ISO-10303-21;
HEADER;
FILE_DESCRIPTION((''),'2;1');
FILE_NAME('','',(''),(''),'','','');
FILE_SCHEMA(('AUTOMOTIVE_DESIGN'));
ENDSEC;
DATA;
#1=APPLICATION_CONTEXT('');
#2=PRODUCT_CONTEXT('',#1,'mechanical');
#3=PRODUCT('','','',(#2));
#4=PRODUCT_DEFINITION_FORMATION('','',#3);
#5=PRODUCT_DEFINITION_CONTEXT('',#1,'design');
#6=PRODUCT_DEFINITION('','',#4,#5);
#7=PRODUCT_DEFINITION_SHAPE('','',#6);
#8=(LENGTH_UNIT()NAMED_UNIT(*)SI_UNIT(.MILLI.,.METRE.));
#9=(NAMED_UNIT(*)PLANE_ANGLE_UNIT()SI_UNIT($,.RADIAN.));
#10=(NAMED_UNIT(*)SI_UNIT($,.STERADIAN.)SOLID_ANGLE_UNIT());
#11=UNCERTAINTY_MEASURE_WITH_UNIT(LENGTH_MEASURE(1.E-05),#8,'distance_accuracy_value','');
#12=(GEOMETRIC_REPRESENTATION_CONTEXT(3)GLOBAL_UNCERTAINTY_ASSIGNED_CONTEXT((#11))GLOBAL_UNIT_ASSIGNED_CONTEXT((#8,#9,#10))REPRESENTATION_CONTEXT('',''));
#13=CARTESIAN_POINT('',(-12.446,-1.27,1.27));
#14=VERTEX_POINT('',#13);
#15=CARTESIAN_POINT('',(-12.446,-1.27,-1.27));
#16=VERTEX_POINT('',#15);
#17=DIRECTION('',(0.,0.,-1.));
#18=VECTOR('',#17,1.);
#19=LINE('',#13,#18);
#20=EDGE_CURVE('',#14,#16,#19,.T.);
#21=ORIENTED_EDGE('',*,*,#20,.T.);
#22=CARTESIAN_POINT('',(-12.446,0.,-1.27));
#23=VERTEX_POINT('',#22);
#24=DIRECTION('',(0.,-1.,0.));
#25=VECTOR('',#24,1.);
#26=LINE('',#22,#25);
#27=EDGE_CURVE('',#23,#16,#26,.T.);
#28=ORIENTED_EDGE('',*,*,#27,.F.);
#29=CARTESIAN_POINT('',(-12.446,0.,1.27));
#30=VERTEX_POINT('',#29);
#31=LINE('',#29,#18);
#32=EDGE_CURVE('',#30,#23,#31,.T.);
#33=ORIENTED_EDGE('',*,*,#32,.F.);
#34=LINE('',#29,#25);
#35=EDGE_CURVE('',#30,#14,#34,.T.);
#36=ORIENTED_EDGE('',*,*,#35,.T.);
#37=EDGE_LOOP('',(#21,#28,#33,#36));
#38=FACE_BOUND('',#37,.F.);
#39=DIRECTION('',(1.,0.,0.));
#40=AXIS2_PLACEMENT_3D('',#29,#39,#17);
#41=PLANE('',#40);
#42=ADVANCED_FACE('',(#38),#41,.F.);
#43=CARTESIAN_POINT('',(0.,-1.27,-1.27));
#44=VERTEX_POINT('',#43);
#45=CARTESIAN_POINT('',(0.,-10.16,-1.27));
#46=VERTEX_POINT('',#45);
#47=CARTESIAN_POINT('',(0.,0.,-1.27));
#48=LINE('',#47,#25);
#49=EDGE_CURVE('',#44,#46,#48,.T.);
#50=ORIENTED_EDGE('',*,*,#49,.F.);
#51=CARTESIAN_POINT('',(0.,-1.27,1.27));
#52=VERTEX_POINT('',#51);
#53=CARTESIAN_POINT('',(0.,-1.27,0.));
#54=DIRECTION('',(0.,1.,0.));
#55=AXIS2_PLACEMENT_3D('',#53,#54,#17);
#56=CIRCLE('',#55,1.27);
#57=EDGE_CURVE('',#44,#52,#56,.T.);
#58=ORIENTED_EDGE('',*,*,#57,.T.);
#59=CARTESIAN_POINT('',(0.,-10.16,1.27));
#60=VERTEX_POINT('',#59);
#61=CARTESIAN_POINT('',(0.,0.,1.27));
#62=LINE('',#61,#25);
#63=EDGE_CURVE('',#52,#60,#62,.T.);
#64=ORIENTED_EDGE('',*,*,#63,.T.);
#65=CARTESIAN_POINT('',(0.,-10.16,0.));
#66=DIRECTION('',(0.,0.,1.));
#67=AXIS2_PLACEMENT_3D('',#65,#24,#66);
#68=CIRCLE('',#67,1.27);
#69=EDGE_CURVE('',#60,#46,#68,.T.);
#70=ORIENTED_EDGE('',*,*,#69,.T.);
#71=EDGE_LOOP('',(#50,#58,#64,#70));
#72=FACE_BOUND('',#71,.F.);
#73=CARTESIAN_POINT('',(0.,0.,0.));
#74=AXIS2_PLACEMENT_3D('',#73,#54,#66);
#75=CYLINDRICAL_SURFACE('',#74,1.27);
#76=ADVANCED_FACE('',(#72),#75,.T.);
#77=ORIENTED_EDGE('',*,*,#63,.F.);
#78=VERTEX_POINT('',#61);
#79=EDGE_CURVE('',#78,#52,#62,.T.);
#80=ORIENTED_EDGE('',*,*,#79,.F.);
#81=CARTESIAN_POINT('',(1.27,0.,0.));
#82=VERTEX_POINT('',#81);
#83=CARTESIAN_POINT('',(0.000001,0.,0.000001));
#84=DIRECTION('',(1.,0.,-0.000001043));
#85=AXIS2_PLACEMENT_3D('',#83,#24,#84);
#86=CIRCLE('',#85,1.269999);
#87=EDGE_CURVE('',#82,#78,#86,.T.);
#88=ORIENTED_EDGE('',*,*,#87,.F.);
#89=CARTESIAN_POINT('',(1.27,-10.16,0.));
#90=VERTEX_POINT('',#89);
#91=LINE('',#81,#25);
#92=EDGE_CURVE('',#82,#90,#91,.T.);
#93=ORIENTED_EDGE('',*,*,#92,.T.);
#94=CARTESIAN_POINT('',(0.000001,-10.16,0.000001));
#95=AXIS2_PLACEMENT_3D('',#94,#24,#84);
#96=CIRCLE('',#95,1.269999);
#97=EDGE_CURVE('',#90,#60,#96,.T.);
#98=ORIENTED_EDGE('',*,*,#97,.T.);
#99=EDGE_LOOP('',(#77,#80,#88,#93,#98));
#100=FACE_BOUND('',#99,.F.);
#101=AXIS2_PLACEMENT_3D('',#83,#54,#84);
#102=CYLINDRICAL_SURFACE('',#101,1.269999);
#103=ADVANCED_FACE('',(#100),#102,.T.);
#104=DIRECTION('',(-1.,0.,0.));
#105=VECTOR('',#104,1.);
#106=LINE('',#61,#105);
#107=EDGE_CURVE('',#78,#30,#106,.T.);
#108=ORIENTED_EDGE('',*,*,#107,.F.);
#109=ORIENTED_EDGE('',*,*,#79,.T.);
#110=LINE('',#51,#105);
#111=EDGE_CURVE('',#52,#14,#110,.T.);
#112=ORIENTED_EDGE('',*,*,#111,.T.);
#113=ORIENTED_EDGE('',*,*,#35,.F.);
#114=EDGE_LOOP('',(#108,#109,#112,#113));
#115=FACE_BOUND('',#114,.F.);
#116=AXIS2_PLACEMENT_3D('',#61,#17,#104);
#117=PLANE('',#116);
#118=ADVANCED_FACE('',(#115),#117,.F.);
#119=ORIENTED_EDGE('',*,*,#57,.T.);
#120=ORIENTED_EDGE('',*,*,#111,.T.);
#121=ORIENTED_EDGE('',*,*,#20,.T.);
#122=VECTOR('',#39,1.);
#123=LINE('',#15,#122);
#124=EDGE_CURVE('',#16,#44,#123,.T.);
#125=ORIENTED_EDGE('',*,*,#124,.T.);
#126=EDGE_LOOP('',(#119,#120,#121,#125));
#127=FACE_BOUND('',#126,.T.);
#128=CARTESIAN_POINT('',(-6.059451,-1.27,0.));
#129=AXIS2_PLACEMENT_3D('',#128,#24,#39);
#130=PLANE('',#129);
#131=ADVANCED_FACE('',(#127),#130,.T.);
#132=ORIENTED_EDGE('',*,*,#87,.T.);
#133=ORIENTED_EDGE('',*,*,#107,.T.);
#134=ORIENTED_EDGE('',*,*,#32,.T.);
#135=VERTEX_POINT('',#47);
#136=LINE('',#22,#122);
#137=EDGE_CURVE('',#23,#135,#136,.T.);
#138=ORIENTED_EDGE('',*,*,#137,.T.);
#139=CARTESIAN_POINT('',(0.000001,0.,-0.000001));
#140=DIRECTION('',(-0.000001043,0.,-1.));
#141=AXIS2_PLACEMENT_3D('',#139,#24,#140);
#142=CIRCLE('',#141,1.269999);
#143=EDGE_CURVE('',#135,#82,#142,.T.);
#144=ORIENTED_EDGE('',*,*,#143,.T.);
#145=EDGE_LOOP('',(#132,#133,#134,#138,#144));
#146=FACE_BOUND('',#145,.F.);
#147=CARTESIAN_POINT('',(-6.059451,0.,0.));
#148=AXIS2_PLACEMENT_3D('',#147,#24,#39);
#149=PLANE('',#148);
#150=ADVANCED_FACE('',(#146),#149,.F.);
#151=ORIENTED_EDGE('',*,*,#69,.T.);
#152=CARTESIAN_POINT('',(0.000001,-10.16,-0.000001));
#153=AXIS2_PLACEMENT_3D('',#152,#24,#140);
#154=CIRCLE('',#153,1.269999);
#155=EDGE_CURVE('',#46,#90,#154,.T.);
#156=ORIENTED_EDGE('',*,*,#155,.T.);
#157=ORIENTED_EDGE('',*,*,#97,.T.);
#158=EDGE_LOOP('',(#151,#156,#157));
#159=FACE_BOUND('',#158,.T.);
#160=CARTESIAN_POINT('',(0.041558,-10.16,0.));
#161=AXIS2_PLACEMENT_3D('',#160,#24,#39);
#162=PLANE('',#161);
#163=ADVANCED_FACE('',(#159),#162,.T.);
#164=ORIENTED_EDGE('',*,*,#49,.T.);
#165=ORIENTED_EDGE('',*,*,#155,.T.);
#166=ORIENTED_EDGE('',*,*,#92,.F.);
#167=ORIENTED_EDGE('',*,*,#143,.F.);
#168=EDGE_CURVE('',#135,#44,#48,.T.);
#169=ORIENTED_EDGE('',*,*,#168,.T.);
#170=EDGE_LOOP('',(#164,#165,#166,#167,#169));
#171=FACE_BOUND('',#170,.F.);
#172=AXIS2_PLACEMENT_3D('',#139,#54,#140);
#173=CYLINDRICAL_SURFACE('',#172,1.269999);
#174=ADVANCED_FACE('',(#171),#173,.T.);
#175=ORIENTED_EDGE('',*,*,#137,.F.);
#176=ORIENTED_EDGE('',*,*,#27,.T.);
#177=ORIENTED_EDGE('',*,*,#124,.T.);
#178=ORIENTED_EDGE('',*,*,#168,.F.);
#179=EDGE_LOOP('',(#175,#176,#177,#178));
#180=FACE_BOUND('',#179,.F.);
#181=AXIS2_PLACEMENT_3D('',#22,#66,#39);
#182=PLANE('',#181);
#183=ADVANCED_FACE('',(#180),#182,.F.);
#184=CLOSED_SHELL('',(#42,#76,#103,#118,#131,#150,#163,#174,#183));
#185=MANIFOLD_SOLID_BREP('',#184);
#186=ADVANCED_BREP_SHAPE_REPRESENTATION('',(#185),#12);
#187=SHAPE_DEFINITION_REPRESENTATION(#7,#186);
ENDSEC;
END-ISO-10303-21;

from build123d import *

# Parameters (mm, degrees)
F1_DEPTH = 10.16
F2_DEPTH = 1.27


with BuildPart() as f1:
    # F0 (on Front) → F1 (new body)
    with BuildSketch(Plane.XZ):
        with BuildLine():
            ThreePointArc((0, -1.27), (0.898026, -0.898026), (1.27, 0))
            ThreePointArc((1.27, 0), (0.898026, 0.898026), (0, 1.27))
            ThreePointArc((0, 1.27), (-1.27, 0), (0, -1.27))
        make_face()
    extrude(amount=F1_DEPTH)

    # F0 (on Front) → F2 (join)
    with BuildSketch(Plane.XZ):
        with BuildLine():
            ThreePointArc((0, -1.27), (-1.27, 0), (0, 1.27))
            Line((0, 1.27), (-12.446, 1.27))
            Line((-12.446, 1.27), (-12.446, 0))
            Line((-12.446, 0), (-12.446, -1.27))
            Line((-12.446, -1.27), (0, -1.27))
        make_face()
    extrude(amount=F2_DEPTH)


solid = f1.part
